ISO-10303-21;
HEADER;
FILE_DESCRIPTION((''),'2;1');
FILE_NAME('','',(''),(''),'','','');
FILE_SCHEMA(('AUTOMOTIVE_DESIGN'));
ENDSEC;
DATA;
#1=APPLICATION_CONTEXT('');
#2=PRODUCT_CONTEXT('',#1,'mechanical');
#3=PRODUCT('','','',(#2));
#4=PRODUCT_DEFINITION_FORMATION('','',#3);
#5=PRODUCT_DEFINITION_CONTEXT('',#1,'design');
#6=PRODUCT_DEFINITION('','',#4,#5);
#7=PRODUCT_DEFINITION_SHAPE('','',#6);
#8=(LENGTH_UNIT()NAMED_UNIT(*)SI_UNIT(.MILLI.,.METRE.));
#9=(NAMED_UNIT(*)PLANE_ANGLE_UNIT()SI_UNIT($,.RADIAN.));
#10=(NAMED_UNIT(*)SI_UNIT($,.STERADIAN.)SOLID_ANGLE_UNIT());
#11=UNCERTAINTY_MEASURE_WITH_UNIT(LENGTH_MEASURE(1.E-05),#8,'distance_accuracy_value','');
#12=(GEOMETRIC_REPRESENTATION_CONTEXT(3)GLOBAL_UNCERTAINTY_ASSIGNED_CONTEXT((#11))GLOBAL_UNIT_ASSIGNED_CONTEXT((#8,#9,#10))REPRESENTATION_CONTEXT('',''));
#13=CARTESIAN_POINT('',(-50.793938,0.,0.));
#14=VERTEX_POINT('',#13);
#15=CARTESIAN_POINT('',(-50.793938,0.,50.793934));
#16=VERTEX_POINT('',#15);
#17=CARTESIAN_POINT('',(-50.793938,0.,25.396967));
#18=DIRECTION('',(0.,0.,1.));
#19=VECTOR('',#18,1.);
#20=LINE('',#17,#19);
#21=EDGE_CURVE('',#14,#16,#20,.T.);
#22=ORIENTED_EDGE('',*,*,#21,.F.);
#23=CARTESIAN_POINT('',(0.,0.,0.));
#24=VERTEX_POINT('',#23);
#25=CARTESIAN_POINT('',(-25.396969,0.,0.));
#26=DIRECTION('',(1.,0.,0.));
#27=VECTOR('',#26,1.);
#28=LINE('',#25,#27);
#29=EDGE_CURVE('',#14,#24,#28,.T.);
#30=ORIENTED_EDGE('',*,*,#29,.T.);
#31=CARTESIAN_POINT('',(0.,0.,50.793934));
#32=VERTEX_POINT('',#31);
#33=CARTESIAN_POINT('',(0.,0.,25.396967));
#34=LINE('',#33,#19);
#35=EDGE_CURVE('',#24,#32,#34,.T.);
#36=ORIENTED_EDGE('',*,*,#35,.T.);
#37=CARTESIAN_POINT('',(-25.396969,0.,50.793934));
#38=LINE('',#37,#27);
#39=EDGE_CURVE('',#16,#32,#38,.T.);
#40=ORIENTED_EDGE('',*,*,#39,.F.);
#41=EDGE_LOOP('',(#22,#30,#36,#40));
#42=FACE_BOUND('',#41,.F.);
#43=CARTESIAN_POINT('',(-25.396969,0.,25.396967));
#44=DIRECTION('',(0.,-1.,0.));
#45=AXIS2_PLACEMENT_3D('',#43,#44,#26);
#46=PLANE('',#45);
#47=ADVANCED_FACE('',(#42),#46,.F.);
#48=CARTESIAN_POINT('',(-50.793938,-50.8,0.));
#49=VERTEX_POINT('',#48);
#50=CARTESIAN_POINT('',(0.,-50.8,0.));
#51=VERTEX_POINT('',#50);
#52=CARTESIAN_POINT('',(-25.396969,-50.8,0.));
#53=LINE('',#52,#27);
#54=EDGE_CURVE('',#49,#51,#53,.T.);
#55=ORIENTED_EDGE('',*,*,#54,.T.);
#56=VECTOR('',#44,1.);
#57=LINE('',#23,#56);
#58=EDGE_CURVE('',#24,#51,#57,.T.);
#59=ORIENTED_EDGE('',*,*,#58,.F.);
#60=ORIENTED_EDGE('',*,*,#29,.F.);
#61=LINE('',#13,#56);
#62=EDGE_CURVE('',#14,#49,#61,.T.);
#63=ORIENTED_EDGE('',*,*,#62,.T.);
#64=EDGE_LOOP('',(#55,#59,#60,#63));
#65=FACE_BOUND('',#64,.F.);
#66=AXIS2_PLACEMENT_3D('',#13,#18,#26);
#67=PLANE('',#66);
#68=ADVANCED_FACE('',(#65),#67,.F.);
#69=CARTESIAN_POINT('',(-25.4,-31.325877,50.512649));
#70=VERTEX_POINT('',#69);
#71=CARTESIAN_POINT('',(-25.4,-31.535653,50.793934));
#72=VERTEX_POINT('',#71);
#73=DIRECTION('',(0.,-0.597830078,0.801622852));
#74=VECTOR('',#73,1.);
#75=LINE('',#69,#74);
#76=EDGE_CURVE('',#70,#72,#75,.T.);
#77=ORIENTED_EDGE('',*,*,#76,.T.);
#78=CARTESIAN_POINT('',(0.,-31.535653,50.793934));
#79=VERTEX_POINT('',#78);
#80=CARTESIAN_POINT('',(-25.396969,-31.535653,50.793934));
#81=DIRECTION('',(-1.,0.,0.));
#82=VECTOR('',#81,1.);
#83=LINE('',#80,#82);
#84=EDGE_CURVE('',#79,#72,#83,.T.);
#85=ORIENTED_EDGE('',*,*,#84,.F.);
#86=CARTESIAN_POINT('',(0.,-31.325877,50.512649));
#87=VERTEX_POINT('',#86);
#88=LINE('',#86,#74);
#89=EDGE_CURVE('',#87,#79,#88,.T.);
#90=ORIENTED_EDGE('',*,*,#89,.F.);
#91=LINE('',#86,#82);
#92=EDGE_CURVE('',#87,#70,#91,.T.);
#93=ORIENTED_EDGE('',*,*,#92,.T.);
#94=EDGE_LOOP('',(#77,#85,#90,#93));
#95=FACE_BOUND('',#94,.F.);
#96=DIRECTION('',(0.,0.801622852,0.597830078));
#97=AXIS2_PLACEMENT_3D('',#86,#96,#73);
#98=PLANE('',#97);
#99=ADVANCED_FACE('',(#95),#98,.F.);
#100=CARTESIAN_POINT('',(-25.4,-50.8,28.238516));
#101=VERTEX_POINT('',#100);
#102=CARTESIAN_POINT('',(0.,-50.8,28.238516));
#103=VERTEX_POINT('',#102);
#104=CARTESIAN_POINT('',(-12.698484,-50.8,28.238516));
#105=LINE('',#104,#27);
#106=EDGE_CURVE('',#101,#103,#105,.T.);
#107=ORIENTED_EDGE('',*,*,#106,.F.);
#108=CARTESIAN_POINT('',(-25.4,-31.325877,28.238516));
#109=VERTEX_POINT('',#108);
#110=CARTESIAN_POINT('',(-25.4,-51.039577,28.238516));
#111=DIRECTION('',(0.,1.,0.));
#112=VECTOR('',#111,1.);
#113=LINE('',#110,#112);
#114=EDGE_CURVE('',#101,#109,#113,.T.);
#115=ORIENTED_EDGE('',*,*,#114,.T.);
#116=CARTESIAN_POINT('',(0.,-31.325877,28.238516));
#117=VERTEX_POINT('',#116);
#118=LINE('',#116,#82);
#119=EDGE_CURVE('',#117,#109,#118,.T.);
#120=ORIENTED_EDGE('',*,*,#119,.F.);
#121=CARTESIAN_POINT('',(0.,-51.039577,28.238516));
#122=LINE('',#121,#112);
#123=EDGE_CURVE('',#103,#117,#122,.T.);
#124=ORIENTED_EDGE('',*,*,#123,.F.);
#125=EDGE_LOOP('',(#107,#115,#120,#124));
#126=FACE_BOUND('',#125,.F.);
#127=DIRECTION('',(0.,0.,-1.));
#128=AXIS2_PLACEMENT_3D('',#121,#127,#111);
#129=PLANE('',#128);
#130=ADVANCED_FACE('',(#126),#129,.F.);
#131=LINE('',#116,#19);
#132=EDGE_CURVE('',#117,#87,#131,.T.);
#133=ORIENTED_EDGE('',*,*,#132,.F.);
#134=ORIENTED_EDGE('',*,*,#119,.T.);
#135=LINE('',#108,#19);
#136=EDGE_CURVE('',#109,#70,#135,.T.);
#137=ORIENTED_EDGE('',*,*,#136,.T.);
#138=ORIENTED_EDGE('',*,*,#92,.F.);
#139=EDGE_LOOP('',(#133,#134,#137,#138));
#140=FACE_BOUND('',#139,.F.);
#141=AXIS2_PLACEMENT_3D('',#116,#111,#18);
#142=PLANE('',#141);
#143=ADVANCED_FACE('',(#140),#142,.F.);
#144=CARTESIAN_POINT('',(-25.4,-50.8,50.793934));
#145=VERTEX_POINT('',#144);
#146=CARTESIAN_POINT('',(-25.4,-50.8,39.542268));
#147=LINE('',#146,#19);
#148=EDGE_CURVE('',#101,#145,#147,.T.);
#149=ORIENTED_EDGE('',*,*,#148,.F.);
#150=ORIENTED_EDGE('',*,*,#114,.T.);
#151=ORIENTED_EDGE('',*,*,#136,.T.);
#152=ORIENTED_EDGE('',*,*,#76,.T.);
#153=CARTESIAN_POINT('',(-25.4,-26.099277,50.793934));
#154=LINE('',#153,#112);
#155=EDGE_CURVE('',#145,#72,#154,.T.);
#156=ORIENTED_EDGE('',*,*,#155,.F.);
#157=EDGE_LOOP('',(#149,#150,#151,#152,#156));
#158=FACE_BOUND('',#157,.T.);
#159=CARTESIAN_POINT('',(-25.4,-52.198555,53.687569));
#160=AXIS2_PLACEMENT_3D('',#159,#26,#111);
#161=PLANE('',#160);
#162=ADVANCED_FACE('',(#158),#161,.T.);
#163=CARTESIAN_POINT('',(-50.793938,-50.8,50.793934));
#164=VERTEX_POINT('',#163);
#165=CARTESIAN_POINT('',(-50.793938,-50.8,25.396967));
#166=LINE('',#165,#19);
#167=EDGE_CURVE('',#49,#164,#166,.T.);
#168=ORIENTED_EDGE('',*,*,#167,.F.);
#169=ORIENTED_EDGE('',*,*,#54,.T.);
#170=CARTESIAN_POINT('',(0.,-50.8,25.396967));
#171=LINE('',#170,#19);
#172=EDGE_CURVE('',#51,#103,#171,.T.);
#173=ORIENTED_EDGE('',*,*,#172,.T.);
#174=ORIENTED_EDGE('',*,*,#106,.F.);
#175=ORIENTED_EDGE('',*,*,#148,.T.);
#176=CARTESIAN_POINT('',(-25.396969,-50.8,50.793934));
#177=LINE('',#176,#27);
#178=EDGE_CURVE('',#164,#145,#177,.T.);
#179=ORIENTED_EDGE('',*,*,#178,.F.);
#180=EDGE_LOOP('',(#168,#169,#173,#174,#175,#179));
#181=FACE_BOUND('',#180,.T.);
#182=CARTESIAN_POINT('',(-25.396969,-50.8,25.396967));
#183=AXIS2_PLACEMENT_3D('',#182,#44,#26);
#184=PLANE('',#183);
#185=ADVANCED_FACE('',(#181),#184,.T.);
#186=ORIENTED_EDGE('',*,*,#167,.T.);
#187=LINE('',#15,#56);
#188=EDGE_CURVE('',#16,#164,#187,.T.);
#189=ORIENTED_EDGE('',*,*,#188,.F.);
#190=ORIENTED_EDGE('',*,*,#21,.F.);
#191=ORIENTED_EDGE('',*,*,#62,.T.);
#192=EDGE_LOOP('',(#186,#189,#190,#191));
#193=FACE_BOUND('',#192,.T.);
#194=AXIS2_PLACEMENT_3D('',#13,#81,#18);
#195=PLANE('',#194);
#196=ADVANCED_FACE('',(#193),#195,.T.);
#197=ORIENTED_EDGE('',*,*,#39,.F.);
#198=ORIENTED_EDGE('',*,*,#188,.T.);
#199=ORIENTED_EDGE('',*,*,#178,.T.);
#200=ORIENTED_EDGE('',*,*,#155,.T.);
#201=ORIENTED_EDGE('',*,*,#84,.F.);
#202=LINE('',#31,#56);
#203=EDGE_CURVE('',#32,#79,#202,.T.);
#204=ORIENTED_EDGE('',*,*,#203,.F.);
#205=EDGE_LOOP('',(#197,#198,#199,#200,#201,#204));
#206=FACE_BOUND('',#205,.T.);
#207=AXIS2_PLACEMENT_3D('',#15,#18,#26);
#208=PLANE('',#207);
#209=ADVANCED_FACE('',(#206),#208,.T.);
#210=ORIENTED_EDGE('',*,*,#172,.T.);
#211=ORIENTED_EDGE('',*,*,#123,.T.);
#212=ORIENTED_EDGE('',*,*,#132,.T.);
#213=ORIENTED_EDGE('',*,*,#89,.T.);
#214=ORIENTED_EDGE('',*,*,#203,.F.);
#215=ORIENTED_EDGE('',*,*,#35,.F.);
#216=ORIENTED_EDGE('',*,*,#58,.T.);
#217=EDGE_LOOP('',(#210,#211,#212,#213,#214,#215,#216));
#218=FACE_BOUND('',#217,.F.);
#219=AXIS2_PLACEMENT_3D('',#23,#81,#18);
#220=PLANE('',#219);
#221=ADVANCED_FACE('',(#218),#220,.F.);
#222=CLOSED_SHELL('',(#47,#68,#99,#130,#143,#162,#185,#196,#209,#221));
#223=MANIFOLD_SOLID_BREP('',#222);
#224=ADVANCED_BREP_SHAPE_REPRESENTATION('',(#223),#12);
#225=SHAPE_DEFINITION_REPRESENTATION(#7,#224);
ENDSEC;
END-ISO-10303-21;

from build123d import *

# Parameters (mm, degrees)
F0_W     = 50.793938
F0_H     = 50.793935
F1_DEPTH = 50.8
F3_DEPTH = 25.4


with BuildPart() as f1:
    # F0 (on Front) → F1 (new body)
    with BuildSketch(Plane.XZ):
        with Locations((-25.396969, 25.396967)):
            Rectangle(F0_W, F0_H)
    extrude(amount=F1_DEPTH)

    # F2 (on Right) → F3 (cut)
    with BuildSketch(Plane.YZ):
        Polygon((-31.325877, 50.512649), (-52.65988, 79.119146), (-72.913677, 79.119146), (-72.913677, 55.439733), (-51.039577, 28.238516), (-31.325877, 28.238516), align=None)
    extrude(amount=-F3_DEPTH, mode=Mode.SUBTRACT)


solid = f1.part
